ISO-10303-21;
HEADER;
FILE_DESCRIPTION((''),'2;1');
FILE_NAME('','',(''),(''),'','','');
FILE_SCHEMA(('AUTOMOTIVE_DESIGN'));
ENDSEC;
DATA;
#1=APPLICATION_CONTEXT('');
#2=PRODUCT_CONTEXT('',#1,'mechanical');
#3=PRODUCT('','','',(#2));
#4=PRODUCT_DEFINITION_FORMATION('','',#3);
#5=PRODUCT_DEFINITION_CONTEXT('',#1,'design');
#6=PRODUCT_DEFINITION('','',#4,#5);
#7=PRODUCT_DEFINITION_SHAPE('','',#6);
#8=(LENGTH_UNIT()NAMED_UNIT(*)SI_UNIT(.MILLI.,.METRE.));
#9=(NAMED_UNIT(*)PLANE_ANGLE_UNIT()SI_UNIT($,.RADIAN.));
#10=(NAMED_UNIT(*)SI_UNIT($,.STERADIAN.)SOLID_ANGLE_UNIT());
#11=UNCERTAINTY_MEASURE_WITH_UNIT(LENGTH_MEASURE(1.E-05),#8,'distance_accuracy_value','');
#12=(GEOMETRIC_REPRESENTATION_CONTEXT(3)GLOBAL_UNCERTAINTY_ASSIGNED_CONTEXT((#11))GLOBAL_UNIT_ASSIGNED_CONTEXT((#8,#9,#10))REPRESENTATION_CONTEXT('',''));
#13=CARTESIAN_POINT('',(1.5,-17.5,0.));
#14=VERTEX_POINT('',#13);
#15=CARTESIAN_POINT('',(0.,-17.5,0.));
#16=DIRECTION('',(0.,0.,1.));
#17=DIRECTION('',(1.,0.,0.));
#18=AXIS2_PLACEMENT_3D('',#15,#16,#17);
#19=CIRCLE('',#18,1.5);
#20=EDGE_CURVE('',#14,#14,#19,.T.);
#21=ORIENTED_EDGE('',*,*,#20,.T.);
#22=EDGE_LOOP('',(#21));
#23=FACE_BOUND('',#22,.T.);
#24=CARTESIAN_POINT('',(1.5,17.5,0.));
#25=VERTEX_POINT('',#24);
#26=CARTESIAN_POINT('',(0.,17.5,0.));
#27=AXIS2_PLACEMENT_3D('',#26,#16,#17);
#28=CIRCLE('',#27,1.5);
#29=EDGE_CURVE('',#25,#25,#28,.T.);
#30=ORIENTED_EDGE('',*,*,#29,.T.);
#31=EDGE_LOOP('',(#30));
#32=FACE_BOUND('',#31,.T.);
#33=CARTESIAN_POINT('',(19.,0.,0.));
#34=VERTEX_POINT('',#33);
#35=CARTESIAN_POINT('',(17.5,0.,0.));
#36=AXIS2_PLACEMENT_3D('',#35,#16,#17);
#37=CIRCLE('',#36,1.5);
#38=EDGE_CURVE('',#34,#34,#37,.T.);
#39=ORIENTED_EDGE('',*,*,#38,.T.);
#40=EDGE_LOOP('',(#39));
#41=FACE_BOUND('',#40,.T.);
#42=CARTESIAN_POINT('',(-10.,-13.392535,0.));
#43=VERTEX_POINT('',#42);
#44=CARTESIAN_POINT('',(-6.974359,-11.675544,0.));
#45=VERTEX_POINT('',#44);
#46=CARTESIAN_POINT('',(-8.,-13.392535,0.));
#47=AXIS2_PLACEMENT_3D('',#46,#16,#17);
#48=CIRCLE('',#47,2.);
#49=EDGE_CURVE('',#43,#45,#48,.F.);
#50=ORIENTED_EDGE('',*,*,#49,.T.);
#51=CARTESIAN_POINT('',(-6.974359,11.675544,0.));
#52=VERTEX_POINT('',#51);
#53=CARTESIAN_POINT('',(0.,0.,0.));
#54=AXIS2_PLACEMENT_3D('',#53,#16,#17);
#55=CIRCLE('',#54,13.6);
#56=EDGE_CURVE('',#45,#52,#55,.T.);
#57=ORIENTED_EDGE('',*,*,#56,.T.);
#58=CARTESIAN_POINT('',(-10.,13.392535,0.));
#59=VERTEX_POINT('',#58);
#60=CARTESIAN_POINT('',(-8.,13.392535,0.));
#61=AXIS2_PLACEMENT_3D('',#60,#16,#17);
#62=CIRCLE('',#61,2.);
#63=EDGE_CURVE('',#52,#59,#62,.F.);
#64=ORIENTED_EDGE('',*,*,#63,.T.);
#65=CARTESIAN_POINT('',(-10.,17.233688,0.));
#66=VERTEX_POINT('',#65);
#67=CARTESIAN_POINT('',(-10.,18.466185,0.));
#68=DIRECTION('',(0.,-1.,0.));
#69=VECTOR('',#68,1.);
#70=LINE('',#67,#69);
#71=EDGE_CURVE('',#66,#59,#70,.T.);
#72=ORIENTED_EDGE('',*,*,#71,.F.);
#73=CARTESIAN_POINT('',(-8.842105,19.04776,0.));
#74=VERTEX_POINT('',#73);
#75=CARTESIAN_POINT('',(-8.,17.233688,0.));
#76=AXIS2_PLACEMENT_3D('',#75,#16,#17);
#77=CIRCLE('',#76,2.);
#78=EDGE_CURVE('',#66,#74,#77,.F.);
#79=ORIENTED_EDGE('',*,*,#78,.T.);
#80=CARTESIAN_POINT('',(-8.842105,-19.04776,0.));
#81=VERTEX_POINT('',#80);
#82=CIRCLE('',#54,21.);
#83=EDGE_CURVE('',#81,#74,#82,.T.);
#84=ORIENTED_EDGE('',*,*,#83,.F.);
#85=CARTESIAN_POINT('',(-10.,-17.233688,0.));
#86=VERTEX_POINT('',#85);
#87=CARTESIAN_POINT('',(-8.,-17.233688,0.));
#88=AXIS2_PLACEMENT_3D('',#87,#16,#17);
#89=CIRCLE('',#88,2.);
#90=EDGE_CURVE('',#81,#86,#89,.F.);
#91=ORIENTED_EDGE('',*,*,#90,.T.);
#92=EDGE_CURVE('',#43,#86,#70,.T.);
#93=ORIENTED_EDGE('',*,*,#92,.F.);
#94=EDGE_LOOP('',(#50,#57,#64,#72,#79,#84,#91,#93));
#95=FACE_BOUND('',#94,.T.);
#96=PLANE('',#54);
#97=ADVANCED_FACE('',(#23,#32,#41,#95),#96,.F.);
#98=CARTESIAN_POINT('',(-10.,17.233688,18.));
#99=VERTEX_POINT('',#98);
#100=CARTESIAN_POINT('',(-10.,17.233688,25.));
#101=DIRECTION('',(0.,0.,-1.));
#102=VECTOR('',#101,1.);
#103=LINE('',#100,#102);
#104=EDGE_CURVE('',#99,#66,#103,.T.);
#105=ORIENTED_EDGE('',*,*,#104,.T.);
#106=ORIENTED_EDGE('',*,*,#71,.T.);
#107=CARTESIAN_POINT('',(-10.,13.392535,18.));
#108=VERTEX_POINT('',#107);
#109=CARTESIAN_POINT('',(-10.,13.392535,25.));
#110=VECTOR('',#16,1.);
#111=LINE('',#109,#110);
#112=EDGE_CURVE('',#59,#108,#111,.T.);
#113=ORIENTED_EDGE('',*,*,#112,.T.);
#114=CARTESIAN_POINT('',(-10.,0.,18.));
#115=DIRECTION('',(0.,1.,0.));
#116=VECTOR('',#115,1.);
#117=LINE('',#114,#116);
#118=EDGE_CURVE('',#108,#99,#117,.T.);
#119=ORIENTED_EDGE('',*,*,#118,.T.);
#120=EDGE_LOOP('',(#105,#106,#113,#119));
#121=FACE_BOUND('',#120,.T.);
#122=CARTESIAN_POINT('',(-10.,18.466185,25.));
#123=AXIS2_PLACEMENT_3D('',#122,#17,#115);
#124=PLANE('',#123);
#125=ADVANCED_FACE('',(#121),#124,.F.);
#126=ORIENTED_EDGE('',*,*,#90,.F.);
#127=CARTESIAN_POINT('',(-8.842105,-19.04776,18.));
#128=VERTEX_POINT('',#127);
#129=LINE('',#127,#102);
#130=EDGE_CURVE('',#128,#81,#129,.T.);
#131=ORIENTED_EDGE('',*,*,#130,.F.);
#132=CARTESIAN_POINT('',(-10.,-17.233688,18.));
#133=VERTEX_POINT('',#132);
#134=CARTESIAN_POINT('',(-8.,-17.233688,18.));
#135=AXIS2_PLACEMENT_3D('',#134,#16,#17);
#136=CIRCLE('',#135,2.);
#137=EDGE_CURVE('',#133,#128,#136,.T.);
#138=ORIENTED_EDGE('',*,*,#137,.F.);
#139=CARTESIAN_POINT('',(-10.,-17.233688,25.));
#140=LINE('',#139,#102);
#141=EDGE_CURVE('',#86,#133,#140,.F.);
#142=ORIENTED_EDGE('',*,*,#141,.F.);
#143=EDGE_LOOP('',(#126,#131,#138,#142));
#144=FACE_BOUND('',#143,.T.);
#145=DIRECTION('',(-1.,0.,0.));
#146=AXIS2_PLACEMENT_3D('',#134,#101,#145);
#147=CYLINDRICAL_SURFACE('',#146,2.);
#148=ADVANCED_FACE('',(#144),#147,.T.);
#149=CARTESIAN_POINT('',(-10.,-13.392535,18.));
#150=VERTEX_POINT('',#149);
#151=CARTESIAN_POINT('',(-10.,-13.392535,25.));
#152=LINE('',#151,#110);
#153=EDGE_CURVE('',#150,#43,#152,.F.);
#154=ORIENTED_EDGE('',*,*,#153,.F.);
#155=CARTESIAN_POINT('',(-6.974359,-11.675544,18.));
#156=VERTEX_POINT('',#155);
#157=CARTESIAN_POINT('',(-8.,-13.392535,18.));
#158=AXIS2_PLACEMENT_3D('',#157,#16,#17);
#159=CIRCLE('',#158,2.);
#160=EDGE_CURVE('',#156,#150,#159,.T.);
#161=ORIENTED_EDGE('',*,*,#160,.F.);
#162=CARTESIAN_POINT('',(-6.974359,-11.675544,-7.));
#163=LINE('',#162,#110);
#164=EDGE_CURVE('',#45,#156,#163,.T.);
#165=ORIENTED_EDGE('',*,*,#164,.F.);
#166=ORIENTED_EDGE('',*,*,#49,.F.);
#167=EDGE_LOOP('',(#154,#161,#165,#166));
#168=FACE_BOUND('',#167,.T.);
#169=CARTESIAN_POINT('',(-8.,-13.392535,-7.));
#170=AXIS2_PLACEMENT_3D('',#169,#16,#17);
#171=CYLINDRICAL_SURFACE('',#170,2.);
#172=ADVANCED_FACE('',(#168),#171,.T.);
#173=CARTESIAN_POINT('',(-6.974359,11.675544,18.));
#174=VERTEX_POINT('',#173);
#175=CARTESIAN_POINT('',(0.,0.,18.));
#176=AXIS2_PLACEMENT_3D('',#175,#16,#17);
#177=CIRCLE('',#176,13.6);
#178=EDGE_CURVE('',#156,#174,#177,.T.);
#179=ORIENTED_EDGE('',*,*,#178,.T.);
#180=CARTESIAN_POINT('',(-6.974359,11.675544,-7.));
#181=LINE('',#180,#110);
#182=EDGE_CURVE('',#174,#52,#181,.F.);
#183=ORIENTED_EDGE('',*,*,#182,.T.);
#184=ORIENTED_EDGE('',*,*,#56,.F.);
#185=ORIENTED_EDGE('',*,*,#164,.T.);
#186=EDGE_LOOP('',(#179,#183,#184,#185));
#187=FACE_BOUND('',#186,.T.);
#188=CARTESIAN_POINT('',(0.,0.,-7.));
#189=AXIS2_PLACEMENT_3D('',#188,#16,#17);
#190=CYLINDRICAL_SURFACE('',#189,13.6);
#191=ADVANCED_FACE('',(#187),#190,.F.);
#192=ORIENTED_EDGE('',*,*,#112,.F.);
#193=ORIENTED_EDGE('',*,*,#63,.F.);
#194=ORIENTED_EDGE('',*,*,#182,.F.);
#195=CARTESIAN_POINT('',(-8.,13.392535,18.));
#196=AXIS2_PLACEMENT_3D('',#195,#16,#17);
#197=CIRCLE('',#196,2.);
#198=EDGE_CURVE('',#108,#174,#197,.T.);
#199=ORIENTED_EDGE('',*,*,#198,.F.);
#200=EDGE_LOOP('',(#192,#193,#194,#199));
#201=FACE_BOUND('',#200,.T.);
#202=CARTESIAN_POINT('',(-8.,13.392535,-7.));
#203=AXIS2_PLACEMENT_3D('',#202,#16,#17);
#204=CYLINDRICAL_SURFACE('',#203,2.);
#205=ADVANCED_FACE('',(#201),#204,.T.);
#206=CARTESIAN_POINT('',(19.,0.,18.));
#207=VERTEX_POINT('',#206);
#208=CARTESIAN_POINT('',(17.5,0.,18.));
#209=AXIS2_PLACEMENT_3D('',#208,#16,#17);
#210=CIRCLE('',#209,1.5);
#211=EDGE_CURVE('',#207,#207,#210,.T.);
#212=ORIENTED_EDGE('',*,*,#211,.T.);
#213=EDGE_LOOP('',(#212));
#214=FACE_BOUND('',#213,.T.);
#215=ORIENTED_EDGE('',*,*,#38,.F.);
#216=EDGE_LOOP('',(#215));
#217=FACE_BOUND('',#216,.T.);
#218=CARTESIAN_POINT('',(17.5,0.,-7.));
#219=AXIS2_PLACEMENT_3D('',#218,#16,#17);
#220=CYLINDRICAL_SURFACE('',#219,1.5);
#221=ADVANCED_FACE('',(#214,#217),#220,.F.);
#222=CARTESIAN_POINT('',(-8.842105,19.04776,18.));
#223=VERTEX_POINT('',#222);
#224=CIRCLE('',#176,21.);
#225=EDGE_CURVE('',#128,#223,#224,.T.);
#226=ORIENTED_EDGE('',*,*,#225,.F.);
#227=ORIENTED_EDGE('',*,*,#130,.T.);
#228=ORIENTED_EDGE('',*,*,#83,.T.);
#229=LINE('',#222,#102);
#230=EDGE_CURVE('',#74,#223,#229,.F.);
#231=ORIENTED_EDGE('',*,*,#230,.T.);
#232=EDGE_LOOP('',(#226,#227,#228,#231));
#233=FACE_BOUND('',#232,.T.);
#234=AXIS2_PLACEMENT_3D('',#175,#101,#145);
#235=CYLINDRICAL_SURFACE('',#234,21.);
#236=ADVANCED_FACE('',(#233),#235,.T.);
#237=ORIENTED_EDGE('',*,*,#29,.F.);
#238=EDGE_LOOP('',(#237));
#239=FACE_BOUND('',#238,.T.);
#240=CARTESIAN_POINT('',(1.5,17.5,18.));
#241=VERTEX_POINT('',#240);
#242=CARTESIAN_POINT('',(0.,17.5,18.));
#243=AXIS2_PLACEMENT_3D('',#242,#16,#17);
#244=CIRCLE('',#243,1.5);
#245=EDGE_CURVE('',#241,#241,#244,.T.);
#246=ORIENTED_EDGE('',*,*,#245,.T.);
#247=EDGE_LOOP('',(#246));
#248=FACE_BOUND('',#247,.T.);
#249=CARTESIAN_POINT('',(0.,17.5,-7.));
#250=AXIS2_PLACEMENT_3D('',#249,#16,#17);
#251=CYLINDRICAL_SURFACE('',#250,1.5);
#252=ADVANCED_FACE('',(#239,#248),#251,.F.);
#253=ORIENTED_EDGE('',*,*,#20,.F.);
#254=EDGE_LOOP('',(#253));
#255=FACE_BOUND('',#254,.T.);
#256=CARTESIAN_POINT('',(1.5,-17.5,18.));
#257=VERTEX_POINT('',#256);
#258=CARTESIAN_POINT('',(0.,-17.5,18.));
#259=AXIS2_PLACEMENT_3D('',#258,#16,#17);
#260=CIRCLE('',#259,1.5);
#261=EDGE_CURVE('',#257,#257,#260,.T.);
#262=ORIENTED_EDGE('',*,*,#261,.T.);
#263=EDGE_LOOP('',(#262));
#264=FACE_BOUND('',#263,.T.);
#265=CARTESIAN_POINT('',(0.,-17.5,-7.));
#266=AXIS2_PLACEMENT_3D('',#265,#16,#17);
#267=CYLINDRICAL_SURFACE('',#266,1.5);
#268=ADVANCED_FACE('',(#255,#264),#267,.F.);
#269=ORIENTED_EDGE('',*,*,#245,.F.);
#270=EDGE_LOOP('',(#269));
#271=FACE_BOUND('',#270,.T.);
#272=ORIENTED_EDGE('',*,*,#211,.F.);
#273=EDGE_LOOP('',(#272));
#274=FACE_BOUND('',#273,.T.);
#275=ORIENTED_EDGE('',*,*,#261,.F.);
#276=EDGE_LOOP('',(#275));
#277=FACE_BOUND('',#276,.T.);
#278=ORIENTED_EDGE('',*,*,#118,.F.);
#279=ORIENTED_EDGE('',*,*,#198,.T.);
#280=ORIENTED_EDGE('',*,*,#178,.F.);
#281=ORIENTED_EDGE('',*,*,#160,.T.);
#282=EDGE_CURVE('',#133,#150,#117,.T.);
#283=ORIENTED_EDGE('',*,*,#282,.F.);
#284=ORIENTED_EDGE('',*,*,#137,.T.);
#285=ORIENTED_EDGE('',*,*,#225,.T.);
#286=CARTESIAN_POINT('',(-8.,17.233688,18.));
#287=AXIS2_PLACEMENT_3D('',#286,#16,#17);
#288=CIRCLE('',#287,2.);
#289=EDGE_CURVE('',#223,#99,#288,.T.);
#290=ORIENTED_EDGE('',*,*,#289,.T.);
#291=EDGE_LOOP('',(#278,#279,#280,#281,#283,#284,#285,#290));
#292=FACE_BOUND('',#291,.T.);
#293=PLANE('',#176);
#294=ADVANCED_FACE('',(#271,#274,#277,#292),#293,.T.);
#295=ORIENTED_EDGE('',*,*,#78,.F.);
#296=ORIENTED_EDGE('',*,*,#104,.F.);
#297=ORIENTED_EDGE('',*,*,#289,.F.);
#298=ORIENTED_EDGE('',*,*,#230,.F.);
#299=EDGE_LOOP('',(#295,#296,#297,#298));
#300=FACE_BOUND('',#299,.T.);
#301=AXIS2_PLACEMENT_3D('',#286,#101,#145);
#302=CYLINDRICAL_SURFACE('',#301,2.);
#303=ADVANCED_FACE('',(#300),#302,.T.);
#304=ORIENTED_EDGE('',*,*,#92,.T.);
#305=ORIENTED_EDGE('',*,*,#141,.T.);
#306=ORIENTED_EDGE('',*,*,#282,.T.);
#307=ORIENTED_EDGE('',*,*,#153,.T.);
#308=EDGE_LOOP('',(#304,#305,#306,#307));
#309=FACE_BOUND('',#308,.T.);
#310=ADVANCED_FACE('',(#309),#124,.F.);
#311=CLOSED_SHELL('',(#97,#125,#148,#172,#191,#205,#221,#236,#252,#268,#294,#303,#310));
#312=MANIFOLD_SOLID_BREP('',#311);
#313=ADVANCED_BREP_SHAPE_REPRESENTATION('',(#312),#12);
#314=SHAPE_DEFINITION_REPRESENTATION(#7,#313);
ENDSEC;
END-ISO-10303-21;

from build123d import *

# Parameters (mm, degrees)
SKETCH_1_R          = 21
EXTRUDE_1_DEPTH     = 18
SKETCH_2_R          = 1.5
SKETCH_2_R_2        = 13.6
CUT_EXTRUDE_1_DEPTH = 25
SKETCH_4_W          = 14.155551169
SKETCH_4_H          = 37.805917944
CUT_EXTRUDE_2_DEPTH = 25
FILLET_1_R          = 2


with BuildPart() as part:
    # 草图1 → 凸台-拉伸1 (new body)
    with BuildSketch(Plane.XY):
        Circle(SKETCH_1_R)
    extrude(amount=EXTRUDE_1_DEPTH)

    # 草图2 → 切除-拉伸1 (cut)
    with BuildSketch(Plane.XY.offset(18)):
        with Locations((-17.5, 0)):
            Circle(SKETCH_2_R)
        Circle(SKETCH_2_R_2)
        with Locations((0, 17.5)):
            Circle(SKETCH_2_R)
        with Locations((17.5, 0)):
            Circle(SKETCH_2_R)
        with Locations((0, -17.5)):
            Circle(SKETCH_2_R)
    extrude(amount=-CUT_EXTRUDE_1_DEPTH, mode=Mode.SUBTRACT)

    # 草图4 → 切除-拉伸2 (cut)
    with BuildSketch(Plane(origin=(0, 0, 0), x_dir=(-1, 0, 0), z_dir=(0, 0, -1))):
        with Locations((17.077775585, -0.436773659)):
            Rectangle(SKETCH_4_W, SKETCH_4_H)
    extrude(amount=-CUT_EXTRUDE_2_DEPTH, mode=Mode.SUBTRACT)

    # 圆角1
    fillet_1_edges = [part.edges().sort_by_distance(p)[0] for p in [
        (-10, -9.217374897, 9),
        (-10, 9.217374897, 9),
        (-10, -18.466185313, 9),
        (-10, 18.466185313, 9),
    ]]
    fillet(fillet_1_edges, radius=FILLET_1_R)


solid = part.part
